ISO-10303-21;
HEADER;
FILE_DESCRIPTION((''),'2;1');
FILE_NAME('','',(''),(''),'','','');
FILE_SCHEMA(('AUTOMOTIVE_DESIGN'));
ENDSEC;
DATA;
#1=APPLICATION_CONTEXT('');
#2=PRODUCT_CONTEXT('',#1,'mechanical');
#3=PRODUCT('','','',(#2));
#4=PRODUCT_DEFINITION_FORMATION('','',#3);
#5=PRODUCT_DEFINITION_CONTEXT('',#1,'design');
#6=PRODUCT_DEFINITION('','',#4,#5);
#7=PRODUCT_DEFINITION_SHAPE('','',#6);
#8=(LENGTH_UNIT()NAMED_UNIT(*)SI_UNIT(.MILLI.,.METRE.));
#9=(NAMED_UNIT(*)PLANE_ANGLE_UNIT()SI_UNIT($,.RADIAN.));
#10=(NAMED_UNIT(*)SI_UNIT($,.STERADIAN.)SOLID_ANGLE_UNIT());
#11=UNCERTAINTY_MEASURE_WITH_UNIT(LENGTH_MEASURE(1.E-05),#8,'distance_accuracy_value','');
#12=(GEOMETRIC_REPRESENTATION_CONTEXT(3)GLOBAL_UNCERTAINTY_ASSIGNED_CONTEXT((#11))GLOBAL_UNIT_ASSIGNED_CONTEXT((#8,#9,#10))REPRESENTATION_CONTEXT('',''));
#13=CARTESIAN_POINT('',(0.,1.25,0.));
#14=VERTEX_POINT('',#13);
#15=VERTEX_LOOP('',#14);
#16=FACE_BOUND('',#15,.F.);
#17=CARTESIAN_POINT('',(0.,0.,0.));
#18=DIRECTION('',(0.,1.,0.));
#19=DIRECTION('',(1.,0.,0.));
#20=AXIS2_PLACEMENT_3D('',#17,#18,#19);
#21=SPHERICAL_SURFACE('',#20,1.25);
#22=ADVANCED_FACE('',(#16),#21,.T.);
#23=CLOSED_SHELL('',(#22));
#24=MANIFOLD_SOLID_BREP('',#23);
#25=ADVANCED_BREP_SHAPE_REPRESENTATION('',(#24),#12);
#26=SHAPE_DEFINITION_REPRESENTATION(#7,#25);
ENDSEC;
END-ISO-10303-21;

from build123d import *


with BuildPart() as part:
    # Sketch1 → Revolve1 (revolve)
    with BuildSketch(Plane.XY):
        with BuildLine():
            Line((0, 1.25), (0, -1.25))
            ThreePointArc((0, -1.25), (1.25, 0), (0, 1.25))
        make_face()
    revolve(axis=Axis((0, 1.25, 0), (0, -1, 0)))


solid = part.part
